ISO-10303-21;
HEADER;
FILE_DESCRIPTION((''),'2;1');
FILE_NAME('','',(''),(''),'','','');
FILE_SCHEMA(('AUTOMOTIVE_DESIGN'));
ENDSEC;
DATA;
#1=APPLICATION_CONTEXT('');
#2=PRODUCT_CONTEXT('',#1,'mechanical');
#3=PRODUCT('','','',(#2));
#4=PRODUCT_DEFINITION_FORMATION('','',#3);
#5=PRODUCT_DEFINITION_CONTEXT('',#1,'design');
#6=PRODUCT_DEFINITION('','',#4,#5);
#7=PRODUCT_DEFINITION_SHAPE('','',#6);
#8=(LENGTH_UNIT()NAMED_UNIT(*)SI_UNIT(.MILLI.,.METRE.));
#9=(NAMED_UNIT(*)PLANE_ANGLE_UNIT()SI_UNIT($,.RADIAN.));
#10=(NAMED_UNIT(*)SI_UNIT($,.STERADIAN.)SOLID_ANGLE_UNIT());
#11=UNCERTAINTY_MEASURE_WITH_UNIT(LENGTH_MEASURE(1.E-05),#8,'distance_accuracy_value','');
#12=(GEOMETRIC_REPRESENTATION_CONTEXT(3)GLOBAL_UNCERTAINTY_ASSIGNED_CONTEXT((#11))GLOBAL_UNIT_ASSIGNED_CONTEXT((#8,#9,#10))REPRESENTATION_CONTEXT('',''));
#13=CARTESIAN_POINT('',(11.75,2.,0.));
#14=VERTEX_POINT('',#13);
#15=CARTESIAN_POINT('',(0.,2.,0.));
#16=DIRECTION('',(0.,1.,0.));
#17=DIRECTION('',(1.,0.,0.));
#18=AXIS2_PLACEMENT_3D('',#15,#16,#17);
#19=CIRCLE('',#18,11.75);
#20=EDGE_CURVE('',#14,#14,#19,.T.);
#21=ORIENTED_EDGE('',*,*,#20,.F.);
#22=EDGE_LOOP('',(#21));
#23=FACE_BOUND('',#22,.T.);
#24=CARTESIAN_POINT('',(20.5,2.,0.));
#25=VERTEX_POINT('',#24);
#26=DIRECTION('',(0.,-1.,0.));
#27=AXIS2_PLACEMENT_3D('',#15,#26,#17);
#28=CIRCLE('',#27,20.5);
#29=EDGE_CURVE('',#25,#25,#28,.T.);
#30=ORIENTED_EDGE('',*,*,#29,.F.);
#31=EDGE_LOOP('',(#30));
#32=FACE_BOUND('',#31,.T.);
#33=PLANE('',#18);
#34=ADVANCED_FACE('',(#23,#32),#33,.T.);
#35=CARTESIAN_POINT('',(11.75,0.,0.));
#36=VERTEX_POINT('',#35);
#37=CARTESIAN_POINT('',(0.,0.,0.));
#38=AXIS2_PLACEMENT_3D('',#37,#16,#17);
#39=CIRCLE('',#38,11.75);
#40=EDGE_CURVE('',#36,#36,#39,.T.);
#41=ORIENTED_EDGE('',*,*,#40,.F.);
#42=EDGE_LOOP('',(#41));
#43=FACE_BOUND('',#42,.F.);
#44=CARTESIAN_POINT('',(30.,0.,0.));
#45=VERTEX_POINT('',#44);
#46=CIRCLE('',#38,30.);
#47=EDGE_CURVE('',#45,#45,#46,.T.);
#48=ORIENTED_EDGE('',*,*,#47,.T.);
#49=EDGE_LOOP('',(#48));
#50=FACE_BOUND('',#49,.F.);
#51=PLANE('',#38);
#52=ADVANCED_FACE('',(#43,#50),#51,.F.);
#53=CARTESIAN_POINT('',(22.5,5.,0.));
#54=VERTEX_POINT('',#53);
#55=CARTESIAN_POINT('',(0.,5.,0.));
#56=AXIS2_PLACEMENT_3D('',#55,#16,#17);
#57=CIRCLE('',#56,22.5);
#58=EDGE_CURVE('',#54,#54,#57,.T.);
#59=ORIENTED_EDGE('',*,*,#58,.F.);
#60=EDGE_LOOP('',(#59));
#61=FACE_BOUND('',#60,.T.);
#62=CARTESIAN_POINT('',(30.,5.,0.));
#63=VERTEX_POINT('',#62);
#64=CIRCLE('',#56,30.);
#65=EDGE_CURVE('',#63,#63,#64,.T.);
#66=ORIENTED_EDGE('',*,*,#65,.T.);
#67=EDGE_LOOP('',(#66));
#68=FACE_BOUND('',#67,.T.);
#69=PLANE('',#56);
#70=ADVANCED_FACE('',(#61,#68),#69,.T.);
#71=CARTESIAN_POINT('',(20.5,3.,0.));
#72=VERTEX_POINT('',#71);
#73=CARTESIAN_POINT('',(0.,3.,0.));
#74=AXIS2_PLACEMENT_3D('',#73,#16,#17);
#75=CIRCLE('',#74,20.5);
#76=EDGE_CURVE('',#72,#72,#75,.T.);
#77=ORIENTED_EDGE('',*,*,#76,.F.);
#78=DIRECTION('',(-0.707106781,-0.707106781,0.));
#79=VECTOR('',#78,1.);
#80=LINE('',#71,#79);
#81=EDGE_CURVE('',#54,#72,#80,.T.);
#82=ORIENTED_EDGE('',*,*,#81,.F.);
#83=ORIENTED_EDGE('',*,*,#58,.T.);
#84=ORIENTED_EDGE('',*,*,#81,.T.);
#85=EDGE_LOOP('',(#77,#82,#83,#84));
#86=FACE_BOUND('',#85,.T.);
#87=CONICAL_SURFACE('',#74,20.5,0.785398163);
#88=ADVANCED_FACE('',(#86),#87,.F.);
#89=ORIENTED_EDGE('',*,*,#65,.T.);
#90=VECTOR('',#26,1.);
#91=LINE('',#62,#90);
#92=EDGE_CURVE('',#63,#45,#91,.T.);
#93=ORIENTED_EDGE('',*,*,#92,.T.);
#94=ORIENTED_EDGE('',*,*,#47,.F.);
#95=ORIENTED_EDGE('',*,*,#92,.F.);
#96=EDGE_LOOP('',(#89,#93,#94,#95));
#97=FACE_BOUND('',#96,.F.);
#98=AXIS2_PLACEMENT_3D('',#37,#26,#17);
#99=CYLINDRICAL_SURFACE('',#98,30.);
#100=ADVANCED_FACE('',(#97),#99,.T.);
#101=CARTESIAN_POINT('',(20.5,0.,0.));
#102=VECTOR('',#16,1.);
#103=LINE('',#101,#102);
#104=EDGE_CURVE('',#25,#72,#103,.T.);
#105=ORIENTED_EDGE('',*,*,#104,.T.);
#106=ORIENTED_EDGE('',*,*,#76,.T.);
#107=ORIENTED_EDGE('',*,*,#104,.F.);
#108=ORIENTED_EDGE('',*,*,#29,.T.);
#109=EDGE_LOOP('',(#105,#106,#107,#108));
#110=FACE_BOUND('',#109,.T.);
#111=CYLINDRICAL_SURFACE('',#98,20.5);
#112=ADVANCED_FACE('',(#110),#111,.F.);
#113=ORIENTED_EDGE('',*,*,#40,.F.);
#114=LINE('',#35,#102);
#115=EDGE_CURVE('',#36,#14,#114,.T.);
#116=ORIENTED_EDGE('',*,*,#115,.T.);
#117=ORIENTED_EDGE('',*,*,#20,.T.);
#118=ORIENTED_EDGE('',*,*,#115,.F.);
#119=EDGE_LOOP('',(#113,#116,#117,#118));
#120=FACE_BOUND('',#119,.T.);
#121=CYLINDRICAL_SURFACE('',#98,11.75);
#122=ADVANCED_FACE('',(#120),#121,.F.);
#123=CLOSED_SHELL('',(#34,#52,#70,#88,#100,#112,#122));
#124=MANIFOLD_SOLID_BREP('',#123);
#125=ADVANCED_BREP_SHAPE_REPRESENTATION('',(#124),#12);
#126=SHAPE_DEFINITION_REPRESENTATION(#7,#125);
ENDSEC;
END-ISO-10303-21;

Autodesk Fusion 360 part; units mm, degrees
sketch "Sketch1" plane through (0, 0, 0) normal (0, 1, 0) x (1, 0, 0)
  circle A0 centre (0, 0) radius 11.75
  circle A1 centre (0, 0) radius 30
  circle A2 centre (0, 0) radius 20.5
  dimension "d1" = 23.5
  dimension "d2" = 60
  dimension "d3" = 41
extrude "Extrude1" add sketch "Sketch1" along normal blind 2 contours A1 | A2
extrude "Extrude2" add sketch "Sketch1" along normal blind 5 contours A1
chamfer "Chamfer1" distance 2 angle 45 1 edges at (-19.1127, 5, -7.4131)
